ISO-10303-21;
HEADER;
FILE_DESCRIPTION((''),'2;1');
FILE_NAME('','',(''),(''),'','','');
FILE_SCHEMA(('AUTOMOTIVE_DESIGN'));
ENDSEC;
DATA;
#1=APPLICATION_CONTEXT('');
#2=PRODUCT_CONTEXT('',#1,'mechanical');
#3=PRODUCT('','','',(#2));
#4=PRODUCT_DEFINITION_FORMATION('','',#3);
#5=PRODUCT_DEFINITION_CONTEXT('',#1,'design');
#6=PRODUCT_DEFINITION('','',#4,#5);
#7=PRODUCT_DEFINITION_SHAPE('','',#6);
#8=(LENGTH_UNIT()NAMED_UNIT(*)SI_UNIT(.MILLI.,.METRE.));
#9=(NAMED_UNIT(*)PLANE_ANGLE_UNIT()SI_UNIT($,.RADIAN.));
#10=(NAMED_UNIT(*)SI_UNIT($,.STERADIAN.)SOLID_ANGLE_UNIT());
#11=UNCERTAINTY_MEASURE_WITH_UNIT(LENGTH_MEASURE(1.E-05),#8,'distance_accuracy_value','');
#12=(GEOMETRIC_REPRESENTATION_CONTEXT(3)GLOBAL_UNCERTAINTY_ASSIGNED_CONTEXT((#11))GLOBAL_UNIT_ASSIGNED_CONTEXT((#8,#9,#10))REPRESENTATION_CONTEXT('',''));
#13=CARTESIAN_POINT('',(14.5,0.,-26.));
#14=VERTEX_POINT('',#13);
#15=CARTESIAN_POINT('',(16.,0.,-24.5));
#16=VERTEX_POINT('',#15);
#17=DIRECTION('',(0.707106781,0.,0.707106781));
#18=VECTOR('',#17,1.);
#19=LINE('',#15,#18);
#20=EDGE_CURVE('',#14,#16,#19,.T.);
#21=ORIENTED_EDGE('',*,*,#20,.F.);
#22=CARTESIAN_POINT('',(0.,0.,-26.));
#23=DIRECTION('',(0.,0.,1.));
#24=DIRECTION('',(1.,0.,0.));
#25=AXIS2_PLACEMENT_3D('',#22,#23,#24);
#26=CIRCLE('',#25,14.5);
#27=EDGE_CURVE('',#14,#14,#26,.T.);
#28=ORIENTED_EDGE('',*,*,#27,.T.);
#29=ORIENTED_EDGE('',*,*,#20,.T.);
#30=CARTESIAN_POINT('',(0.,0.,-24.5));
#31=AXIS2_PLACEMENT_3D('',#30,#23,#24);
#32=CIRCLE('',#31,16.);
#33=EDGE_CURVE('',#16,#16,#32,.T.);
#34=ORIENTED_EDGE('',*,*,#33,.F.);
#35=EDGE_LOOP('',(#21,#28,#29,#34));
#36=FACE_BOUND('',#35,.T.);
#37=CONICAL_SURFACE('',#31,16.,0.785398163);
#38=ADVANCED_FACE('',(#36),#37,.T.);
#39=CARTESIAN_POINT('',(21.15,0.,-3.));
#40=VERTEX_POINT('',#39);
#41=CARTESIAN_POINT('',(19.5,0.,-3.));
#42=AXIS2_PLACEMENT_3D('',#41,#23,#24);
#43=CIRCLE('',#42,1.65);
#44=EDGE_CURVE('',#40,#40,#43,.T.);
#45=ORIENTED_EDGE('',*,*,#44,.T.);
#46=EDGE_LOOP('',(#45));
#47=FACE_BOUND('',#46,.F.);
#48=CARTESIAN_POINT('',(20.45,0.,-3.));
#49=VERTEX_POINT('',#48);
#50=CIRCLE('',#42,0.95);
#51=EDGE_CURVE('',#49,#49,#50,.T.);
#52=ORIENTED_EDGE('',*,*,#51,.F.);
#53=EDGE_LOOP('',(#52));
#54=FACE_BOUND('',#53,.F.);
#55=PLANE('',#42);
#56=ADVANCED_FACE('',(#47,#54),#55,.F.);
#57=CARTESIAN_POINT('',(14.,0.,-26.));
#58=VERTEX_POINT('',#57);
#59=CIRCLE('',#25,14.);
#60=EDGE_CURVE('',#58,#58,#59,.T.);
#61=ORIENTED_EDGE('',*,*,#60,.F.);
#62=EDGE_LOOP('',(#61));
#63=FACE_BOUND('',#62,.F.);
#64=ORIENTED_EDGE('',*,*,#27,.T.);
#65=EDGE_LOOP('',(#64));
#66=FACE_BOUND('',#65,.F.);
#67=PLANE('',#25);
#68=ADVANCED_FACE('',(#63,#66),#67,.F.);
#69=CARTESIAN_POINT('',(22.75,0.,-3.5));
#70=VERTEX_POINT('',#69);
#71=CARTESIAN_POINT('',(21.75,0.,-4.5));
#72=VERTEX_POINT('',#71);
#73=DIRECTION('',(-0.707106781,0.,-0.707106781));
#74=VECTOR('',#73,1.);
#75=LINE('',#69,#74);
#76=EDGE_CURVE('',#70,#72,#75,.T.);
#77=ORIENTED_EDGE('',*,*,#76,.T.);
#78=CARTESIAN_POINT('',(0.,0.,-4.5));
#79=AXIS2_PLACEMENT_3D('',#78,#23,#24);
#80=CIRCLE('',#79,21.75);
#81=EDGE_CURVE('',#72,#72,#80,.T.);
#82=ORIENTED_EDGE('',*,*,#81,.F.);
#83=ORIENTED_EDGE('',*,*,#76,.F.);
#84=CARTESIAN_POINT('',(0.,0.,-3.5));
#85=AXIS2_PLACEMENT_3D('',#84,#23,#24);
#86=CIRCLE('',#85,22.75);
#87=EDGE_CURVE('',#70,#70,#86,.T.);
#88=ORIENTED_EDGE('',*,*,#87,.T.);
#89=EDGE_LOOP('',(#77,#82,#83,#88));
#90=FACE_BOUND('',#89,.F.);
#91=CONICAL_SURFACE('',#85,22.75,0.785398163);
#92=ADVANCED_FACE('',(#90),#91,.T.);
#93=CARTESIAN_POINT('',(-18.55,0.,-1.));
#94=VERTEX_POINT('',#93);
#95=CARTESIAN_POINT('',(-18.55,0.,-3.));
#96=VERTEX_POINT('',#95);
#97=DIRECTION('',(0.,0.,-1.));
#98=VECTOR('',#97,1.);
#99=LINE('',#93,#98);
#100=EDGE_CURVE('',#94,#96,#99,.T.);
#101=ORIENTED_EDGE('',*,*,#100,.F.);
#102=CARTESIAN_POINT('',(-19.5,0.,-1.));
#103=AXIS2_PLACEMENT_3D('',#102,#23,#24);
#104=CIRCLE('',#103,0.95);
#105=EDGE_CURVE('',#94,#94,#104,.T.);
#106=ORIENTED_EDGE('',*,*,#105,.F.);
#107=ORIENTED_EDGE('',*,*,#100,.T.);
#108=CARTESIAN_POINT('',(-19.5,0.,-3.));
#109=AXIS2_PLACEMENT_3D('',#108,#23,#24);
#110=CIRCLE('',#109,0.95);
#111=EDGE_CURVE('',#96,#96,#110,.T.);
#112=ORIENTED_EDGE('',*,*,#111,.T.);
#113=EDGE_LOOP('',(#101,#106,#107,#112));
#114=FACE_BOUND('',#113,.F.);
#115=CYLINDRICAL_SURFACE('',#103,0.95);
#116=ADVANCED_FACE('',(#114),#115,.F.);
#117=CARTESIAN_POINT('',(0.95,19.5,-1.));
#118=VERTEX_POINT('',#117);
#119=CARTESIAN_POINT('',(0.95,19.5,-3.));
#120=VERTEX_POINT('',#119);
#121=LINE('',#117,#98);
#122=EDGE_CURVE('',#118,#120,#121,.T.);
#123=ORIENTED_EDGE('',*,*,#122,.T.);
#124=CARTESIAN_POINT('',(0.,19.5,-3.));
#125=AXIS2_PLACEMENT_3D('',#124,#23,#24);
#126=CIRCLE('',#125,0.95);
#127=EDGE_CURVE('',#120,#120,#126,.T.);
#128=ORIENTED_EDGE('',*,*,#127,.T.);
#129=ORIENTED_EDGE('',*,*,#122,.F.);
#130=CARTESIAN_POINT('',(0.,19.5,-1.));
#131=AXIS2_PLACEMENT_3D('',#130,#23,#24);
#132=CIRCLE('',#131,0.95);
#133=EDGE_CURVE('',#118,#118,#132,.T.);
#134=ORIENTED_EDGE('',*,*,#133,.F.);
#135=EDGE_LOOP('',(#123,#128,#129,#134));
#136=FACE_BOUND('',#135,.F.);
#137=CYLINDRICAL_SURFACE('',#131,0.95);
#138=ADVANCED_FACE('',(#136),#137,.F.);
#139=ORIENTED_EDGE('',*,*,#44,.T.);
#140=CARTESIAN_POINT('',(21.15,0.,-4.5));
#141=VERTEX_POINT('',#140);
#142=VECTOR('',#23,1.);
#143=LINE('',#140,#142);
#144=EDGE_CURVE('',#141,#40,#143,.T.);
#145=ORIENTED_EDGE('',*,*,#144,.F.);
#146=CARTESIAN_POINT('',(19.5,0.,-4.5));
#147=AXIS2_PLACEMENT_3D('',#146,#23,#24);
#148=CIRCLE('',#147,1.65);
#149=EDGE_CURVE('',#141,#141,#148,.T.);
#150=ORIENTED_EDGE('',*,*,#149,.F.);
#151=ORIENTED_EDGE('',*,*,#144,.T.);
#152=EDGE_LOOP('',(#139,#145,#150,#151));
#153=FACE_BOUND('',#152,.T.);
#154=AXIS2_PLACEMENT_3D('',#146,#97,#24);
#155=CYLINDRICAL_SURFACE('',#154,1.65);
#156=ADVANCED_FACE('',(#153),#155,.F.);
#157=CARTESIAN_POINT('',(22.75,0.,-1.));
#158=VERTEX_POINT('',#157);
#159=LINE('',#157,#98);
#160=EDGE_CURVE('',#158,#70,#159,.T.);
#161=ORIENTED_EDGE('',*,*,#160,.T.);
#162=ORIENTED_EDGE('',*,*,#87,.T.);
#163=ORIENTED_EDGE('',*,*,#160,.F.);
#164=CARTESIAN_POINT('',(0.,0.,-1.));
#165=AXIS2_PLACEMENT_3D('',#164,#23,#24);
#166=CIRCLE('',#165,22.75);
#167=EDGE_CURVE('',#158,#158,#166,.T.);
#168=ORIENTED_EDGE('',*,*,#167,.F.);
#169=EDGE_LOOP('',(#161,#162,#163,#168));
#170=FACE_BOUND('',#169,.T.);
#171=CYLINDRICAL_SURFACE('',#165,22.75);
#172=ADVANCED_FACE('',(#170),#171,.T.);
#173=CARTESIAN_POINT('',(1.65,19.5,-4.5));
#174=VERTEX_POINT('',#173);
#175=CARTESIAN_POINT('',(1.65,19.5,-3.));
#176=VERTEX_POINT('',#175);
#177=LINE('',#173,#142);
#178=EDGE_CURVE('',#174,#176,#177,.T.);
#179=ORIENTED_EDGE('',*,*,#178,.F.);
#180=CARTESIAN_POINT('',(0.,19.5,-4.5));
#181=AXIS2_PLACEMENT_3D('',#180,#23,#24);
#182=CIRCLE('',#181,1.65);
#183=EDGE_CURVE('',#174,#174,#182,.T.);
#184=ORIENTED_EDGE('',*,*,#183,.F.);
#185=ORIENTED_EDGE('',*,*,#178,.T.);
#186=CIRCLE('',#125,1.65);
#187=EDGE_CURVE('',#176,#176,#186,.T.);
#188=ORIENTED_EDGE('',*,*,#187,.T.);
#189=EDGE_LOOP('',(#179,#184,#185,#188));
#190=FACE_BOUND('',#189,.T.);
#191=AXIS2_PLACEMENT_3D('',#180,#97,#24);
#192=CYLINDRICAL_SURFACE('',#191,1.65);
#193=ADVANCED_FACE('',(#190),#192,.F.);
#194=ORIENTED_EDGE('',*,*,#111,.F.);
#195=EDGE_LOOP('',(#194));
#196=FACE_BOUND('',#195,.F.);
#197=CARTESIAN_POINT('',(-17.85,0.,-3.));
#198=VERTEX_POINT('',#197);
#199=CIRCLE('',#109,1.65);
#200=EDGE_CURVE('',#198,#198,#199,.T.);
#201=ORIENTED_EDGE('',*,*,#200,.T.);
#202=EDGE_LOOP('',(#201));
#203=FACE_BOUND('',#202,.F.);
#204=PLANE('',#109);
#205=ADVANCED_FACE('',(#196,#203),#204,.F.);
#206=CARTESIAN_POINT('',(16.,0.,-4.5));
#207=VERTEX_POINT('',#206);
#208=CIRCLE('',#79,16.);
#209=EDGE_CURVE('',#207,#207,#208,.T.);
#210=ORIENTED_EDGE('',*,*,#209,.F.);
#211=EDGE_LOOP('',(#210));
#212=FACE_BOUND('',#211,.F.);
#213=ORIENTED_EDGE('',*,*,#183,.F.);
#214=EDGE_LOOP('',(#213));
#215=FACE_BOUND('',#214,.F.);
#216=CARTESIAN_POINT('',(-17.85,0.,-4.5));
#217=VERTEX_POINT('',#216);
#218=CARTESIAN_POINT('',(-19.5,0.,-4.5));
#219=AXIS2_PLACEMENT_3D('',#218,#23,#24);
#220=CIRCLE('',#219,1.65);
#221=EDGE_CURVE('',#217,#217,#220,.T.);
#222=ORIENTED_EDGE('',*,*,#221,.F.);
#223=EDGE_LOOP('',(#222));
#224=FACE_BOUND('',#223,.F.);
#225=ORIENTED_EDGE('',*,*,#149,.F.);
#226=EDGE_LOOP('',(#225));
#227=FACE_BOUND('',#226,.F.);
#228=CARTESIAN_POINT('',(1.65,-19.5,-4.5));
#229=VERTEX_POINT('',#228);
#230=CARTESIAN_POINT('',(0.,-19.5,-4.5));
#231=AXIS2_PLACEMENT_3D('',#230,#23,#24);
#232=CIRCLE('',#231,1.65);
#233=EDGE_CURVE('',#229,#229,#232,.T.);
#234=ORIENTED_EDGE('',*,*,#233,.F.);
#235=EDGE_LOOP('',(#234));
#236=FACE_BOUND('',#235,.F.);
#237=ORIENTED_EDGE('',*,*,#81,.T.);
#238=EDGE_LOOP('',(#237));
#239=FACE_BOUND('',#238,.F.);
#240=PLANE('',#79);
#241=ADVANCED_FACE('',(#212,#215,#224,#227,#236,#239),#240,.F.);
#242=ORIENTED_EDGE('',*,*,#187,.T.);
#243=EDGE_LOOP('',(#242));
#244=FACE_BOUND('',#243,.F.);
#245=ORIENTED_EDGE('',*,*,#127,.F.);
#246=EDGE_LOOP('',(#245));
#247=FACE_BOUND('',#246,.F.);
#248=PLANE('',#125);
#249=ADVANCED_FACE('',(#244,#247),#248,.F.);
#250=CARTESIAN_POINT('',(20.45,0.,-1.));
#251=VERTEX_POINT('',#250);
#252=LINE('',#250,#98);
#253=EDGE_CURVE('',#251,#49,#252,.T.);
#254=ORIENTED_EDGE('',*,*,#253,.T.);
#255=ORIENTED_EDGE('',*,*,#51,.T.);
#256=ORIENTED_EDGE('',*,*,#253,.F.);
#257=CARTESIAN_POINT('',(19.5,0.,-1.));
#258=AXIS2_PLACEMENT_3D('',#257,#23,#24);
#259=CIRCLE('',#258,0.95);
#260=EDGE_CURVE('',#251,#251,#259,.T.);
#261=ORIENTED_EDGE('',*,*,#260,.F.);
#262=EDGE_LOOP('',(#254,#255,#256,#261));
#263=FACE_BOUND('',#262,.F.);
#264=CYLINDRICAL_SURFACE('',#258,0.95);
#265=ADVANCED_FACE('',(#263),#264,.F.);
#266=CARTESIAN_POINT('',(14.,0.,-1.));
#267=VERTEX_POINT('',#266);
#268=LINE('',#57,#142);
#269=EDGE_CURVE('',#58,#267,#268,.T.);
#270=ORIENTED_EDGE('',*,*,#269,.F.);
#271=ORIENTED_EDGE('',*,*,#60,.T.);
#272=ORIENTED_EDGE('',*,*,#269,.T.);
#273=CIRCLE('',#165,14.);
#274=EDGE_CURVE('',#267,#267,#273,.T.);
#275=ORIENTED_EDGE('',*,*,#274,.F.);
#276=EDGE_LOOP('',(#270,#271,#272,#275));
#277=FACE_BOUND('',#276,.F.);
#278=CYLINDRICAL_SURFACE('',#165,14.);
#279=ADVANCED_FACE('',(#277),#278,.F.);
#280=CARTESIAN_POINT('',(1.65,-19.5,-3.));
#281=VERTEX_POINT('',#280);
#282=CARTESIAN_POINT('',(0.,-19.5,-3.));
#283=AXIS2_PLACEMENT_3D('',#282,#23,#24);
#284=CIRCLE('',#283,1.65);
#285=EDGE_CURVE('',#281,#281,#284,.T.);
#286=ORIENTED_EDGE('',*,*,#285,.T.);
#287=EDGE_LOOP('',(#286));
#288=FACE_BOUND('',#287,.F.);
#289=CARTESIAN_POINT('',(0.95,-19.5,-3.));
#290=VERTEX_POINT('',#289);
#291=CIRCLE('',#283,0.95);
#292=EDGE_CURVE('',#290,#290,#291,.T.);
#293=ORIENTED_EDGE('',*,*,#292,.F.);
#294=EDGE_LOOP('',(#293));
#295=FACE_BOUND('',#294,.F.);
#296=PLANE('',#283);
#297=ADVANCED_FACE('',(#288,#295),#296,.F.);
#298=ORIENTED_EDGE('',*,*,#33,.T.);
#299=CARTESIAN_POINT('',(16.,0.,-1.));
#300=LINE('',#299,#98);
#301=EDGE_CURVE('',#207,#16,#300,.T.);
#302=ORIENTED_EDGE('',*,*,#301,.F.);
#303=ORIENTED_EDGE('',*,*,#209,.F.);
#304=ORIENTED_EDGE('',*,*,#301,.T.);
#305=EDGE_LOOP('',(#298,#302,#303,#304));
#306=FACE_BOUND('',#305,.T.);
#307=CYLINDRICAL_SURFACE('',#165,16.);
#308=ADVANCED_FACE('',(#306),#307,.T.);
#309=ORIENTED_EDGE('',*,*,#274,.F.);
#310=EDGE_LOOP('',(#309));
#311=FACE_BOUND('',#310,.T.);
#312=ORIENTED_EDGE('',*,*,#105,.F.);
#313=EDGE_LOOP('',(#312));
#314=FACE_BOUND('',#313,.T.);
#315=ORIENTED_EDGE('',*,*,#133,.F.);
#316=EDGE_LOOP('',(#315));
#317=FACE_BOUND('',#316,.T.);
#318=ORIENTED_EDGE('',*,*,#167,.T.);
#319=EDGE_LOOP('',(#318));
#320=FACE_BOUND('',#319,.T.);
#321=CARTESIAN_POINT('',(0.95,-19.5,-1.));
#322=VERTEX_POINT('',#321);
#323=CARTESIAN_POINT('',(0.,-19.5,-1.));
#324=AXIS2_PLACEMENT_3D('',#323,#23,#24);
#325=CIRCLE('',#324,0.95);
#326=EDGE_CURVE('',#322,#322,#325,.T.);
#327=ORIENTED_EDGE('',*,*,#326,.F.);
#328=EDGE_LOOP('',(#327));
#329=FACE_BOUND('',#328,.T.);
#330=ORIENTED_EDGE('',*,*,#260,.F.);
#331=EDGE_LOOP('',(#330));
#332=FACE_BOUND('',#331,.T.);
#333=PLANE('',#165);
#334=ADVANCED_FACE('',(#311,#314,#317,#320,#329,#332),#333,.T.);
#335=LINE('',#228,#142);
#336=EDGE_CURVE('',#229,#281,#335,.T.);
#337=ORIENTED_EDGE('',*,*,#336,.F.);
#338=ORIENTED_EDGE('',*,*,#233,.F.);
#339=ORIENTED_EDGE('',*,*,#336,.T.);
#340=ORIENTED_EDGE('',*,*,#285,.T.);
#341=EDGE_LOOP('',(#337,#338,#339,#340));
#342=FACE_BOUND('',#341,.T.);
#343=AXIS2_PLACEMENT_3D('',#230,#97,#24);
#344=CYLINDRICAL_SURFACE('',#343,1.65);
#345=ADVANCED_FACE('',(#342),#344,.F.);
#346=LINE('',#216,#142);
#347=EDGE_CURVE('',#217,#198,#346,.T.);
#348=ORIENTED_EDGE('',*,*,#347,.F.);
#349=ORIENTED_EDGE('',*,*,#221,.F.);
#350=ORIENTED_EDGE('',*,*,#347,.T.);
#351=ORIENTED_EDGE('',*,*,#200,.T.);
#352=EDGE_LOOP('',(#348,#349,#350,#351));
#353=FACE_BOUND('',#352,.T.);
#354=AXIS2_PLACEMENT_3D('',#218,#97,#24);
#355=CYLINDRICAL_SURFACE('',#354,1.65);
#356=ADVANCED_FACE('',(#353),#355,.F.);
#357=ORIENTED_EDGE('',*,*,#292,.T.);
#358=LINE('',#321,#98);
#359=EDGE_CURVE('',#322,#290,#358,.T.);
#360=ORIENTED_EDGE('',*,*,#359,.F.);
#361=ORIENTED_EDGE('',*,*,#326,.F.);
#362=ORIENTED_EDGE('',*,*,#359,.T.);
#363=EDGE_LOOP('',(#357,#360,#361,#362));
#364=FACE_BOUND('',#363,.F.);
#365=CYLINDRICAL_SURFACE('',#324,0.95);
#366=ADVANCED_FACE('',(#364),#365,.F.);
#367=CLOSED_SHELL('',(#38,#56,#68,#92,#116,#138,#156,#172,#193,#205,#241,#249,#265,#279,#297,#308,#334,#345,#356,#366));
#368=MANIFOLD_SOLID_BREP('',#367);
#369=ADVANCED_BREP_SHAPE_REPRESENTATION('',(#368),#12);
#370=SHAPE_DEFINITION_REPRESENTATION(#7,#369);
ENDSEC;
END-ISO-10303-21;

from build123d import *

# Parameters (mm, degrees)
SKETCH029_R     = 22.75
SKETCH029_R_2   = 14
PAD009_DEPTH    = 3.5
CHAMFER007_SIZE = 1
SKETCH026_R     = 16
SKETCH026_R_2   = 14
PAD010_DEPTH    = 25
SKETCH030_R     = 0.95
POCKET012_DEPTH = 3
SKETCH032_R     = 1.65
POCKET014_DEPTH = 1.5
CHAMFER011_SIZE = 1.5


with BuildPart() as part:
    # Sketch029 → Pad009 (new body)
    with BuildSketch(Plane.XY):
        Circle(SKETCH029_R)
        Circle(SKETCH029_R_2, mode=Mode.SUBTRACT)
    extrude(amount=-PAD009_DEPTH)

    # Chamfer007
    chamfer007_edges = [part.edges().sort_by_distance(p)[0] for p in [
        (-22.75, 0, -3.5),
    ]]
    chamfer(chamfer007_edges, length=CHAMFER007_SIZE)

    # Sketch026 → Pad010 (join)
    with BuildSketch(Plane.XY):
        Circle(SKETCH026_R)
        Circle(SKETCH026_R_2, mode=Mode.SUBTRACT)
    extrude(amount=-PAD010_DEPTH)

    # Sketch030 → Pocket012 (cut)
    with BuildSketch(Plane.XY):
        with Locations((-19.5, 0)):
            Circle(SKETCH030_R)
        with Locations((0, -19.5)):
            Circle(SKETCH030_R)
        with Locations((19.5, 0)):
            Circle(SKETCH030_R)
        with Locations((0, 19.5)):
            Circle(SKETCH030_R)
    extrude(amount=-POCKET012_DEPTH, mode=Mode.SUBTRACT)

    # Sketch032 → Pocket014 (cut)
    with BuildSketch(Plane.XY.offset(-3.5)):
        with Locations((-19.5, 0)):
            Circle(SKETCH032_R)
        with Locations((0, -19.5)):
            Circle(SKETCH032_R)
        with Locations((19.5, 0)):
            Circle(SKETCH032_R)
        with Locations((0, 19.5)):
            Circle(SKETCH032_R)
    extrude(amount=POCKET014_DEPTH, mode=Mode.SUBTRACT)

    # Chamfer011
    chamfer011_edges = [part.edges().sort_by_distance(p)[0] for p in [
        (-16, 0, -25),
    ]]
    chamfer(chamfer011_edges, length=CHAMFER011_SIZE)


with BuildPart() as part_1:
    # Body006 placement: moved
    add(part.part.moved(Location((0, 0, -1))))


solid = part_1.part
